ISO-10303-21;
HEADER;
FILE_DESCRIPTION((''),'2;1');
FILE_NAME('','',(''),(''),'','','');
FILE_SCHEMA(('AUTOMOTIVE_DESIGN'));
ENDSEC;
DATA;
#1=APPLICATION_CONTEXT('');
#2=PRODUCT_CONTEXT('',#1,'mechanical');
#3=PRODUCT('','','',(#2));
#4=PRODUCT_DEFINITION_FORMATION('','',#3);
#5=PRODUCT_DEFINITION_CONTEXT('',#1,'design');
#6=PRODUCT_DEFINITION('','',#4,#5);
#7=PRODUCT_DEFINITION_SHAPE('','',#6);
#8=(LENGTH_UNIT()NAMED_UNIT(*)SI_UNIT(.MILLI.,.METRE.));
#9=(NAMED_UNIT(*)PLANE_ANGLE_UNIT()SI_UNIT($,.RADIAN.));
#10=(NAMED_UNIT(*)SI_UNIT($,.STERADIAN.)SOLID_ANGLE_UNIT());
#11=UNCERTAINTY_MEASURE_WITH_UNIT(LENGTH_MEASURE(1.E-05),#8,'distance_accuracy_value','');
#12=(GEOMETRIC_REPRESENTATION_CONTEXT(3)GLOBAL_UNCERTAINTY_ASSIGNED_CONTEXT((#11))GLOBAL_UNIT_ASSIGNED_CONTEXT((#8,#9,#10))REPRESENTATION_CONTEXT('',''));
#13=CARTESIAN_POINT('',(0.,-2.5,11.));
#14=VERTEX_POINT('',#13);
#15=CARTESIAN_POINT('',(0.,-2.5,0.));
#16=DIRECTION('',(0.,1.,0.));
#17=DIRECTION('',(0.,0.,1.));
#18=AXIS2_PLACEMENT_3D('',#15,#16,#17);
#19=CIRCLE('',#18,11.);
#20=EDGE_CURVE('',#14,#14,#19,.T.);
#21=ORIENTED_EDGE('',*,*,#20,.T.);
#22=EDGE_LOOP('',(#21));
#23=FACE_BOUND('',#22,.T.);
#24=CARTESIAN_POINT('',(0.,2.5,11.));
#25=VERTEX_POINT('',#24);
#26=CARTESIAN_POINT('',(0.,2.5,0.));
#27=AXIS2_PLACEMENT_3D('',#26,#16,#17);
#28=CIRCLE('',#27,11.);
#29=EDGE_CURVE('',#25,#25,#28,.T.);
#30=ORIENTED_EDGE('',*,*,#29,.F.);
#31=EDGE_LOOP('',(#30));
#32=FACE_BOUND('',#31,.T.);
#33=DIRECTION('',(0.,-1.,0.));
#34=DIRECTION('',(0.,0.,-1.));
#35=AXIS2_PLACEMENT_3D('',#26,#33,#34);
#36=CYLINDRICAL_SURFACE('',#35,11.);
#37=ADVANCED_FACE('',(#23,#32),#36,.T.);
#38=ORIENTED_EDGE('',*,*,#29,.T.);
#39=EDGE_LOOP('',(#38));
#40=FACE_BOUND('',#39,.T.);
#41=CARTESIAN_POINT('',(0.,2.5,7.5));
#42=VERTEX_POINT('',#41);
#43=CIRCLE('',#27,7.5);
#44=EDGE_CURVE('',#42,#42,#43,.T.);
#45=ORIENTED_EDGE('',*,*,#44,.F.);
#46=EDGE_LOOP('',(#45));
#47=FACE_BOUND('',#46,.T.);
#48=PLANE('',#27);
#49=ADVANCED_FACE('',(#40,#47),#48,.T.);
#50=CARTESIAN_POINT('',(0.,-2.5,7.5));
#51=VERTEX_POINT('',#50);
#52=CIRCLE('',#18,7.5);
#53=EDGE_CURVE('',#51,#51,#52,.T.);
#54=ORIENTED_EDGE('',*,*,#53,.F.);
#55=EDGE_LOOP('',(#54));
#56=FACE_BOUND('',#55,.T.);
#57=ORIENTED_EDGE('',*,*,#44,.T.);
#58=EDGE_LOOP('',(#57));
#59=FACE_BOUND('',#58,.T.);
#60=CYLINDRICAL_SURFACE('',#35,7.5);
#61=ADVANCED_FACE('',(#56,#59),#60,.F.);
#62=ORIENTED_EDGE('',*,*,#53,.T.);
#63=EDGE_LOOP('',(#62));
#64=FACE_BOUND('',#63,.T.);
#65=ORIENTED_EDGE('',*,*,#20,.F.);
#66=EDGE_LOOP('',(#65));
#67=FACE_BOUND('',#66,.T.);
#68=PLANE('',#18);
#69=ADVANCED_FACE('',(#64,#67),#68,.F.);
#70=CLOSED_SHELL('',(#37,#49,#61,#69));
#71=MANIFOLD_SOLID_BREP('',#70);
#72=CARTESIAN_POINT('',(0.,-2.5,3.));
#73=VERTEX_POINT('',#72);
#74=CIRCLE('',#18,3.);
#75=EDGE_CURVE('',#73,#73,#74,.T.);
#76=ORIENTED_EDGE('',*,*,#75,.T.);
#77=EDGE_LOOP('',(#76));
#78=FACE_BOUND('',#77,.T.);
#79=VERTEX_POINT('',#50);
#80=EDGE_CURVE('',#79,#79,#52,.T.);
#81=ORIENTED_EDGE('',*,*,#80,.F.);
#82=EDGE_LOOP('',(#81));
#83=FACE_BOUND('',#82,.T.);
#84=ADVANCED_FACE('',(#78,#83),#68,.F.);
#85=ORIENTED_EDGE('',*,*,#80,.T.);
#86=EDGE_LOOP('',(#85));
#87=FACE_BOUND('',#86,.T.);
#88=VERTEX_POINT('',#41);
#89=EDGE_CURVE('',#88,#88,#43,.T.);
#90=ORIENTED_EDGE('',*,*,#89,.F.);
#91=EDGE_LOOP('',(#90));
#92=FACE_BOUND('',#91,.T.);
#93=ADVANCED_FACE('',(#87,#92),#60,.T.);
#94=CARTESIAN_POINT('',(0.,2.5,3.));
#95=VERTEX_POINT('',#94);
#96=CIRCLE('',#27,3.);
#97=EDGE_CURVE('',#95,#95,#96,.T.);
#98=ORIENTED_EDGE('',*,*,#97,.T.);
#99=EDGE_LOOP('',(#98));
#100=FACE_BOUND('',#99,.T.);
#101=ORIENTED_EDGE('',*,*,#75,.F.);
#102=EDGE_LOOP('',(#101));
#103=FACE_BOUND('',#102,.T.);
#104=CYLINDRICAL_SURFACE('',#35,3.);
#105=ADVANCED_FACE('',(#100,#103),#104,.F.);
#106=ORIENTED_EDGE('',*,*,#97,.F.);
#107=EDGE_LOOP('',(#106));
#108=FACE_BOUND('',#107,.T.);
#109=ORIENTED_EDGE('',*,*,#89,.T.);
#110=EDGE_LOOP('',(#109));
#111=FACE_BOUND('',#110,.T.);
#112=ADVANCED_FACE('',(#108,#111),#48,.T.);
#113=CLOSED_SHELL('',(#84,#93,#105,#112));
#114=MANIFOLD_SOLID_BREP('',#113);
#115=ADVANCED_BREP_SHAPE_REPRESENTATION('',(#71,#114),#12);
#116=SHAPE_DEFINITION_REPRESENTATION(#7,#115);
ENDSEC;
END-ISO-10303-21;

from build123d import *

# Parameters (mm, degrees)
SKETCH_1_R      = 7.5
SKETCH_1_R_2    = 3
EXTRUDE_1_DEPTH = 2.5
SKETCH_2_R      = 11
SKETCH_2_R_2    = 7.5
EXTRUDE_2_DEPTH = 2.5


with BuildPart() as part:
    # 草图1 → 凸台-拉伸1 (new, symmetric)
    with BuildSketch(Plane(origin=(0, 0, 0), x_dir=(1, 0, 0), z_dir=(0, 1, 0))):
        with Locations(Location((0, 0, 0), (0, 0, 270))):
            Circle(SKETCH_1_R)
        with Locations(Location((0, 0, 0), (0, 0, 270))):
            Circle(SKETCH_1_R_2, mode=Mode.SUBTRACT)
    extrude(amount=EXTRUDE_1_DEPTH, both=True)


with BuildPart() as body_2:
    # 草图2 → 凸台-拉伸2 (new, symmetric)
    with BuildSketch(Plane(origin=(0, 0, 0), x_dir=(1, 0, 0), z_dir=(0, 1, 0))):
        with Locations(Location((0, 0, 0), (0, 0, 270))):
            Circle(SKETCH_2_R)
        with Locations(Location((0, 0, 0), (0, 0, 270))):
            Circle(SKETCH_2_R_2, mode=Mode.SUBTRACT)
    extrude(amount=EXTRUDE_2_DEPTH, both=True)


solid = Compound([part.part, body_2.part])
